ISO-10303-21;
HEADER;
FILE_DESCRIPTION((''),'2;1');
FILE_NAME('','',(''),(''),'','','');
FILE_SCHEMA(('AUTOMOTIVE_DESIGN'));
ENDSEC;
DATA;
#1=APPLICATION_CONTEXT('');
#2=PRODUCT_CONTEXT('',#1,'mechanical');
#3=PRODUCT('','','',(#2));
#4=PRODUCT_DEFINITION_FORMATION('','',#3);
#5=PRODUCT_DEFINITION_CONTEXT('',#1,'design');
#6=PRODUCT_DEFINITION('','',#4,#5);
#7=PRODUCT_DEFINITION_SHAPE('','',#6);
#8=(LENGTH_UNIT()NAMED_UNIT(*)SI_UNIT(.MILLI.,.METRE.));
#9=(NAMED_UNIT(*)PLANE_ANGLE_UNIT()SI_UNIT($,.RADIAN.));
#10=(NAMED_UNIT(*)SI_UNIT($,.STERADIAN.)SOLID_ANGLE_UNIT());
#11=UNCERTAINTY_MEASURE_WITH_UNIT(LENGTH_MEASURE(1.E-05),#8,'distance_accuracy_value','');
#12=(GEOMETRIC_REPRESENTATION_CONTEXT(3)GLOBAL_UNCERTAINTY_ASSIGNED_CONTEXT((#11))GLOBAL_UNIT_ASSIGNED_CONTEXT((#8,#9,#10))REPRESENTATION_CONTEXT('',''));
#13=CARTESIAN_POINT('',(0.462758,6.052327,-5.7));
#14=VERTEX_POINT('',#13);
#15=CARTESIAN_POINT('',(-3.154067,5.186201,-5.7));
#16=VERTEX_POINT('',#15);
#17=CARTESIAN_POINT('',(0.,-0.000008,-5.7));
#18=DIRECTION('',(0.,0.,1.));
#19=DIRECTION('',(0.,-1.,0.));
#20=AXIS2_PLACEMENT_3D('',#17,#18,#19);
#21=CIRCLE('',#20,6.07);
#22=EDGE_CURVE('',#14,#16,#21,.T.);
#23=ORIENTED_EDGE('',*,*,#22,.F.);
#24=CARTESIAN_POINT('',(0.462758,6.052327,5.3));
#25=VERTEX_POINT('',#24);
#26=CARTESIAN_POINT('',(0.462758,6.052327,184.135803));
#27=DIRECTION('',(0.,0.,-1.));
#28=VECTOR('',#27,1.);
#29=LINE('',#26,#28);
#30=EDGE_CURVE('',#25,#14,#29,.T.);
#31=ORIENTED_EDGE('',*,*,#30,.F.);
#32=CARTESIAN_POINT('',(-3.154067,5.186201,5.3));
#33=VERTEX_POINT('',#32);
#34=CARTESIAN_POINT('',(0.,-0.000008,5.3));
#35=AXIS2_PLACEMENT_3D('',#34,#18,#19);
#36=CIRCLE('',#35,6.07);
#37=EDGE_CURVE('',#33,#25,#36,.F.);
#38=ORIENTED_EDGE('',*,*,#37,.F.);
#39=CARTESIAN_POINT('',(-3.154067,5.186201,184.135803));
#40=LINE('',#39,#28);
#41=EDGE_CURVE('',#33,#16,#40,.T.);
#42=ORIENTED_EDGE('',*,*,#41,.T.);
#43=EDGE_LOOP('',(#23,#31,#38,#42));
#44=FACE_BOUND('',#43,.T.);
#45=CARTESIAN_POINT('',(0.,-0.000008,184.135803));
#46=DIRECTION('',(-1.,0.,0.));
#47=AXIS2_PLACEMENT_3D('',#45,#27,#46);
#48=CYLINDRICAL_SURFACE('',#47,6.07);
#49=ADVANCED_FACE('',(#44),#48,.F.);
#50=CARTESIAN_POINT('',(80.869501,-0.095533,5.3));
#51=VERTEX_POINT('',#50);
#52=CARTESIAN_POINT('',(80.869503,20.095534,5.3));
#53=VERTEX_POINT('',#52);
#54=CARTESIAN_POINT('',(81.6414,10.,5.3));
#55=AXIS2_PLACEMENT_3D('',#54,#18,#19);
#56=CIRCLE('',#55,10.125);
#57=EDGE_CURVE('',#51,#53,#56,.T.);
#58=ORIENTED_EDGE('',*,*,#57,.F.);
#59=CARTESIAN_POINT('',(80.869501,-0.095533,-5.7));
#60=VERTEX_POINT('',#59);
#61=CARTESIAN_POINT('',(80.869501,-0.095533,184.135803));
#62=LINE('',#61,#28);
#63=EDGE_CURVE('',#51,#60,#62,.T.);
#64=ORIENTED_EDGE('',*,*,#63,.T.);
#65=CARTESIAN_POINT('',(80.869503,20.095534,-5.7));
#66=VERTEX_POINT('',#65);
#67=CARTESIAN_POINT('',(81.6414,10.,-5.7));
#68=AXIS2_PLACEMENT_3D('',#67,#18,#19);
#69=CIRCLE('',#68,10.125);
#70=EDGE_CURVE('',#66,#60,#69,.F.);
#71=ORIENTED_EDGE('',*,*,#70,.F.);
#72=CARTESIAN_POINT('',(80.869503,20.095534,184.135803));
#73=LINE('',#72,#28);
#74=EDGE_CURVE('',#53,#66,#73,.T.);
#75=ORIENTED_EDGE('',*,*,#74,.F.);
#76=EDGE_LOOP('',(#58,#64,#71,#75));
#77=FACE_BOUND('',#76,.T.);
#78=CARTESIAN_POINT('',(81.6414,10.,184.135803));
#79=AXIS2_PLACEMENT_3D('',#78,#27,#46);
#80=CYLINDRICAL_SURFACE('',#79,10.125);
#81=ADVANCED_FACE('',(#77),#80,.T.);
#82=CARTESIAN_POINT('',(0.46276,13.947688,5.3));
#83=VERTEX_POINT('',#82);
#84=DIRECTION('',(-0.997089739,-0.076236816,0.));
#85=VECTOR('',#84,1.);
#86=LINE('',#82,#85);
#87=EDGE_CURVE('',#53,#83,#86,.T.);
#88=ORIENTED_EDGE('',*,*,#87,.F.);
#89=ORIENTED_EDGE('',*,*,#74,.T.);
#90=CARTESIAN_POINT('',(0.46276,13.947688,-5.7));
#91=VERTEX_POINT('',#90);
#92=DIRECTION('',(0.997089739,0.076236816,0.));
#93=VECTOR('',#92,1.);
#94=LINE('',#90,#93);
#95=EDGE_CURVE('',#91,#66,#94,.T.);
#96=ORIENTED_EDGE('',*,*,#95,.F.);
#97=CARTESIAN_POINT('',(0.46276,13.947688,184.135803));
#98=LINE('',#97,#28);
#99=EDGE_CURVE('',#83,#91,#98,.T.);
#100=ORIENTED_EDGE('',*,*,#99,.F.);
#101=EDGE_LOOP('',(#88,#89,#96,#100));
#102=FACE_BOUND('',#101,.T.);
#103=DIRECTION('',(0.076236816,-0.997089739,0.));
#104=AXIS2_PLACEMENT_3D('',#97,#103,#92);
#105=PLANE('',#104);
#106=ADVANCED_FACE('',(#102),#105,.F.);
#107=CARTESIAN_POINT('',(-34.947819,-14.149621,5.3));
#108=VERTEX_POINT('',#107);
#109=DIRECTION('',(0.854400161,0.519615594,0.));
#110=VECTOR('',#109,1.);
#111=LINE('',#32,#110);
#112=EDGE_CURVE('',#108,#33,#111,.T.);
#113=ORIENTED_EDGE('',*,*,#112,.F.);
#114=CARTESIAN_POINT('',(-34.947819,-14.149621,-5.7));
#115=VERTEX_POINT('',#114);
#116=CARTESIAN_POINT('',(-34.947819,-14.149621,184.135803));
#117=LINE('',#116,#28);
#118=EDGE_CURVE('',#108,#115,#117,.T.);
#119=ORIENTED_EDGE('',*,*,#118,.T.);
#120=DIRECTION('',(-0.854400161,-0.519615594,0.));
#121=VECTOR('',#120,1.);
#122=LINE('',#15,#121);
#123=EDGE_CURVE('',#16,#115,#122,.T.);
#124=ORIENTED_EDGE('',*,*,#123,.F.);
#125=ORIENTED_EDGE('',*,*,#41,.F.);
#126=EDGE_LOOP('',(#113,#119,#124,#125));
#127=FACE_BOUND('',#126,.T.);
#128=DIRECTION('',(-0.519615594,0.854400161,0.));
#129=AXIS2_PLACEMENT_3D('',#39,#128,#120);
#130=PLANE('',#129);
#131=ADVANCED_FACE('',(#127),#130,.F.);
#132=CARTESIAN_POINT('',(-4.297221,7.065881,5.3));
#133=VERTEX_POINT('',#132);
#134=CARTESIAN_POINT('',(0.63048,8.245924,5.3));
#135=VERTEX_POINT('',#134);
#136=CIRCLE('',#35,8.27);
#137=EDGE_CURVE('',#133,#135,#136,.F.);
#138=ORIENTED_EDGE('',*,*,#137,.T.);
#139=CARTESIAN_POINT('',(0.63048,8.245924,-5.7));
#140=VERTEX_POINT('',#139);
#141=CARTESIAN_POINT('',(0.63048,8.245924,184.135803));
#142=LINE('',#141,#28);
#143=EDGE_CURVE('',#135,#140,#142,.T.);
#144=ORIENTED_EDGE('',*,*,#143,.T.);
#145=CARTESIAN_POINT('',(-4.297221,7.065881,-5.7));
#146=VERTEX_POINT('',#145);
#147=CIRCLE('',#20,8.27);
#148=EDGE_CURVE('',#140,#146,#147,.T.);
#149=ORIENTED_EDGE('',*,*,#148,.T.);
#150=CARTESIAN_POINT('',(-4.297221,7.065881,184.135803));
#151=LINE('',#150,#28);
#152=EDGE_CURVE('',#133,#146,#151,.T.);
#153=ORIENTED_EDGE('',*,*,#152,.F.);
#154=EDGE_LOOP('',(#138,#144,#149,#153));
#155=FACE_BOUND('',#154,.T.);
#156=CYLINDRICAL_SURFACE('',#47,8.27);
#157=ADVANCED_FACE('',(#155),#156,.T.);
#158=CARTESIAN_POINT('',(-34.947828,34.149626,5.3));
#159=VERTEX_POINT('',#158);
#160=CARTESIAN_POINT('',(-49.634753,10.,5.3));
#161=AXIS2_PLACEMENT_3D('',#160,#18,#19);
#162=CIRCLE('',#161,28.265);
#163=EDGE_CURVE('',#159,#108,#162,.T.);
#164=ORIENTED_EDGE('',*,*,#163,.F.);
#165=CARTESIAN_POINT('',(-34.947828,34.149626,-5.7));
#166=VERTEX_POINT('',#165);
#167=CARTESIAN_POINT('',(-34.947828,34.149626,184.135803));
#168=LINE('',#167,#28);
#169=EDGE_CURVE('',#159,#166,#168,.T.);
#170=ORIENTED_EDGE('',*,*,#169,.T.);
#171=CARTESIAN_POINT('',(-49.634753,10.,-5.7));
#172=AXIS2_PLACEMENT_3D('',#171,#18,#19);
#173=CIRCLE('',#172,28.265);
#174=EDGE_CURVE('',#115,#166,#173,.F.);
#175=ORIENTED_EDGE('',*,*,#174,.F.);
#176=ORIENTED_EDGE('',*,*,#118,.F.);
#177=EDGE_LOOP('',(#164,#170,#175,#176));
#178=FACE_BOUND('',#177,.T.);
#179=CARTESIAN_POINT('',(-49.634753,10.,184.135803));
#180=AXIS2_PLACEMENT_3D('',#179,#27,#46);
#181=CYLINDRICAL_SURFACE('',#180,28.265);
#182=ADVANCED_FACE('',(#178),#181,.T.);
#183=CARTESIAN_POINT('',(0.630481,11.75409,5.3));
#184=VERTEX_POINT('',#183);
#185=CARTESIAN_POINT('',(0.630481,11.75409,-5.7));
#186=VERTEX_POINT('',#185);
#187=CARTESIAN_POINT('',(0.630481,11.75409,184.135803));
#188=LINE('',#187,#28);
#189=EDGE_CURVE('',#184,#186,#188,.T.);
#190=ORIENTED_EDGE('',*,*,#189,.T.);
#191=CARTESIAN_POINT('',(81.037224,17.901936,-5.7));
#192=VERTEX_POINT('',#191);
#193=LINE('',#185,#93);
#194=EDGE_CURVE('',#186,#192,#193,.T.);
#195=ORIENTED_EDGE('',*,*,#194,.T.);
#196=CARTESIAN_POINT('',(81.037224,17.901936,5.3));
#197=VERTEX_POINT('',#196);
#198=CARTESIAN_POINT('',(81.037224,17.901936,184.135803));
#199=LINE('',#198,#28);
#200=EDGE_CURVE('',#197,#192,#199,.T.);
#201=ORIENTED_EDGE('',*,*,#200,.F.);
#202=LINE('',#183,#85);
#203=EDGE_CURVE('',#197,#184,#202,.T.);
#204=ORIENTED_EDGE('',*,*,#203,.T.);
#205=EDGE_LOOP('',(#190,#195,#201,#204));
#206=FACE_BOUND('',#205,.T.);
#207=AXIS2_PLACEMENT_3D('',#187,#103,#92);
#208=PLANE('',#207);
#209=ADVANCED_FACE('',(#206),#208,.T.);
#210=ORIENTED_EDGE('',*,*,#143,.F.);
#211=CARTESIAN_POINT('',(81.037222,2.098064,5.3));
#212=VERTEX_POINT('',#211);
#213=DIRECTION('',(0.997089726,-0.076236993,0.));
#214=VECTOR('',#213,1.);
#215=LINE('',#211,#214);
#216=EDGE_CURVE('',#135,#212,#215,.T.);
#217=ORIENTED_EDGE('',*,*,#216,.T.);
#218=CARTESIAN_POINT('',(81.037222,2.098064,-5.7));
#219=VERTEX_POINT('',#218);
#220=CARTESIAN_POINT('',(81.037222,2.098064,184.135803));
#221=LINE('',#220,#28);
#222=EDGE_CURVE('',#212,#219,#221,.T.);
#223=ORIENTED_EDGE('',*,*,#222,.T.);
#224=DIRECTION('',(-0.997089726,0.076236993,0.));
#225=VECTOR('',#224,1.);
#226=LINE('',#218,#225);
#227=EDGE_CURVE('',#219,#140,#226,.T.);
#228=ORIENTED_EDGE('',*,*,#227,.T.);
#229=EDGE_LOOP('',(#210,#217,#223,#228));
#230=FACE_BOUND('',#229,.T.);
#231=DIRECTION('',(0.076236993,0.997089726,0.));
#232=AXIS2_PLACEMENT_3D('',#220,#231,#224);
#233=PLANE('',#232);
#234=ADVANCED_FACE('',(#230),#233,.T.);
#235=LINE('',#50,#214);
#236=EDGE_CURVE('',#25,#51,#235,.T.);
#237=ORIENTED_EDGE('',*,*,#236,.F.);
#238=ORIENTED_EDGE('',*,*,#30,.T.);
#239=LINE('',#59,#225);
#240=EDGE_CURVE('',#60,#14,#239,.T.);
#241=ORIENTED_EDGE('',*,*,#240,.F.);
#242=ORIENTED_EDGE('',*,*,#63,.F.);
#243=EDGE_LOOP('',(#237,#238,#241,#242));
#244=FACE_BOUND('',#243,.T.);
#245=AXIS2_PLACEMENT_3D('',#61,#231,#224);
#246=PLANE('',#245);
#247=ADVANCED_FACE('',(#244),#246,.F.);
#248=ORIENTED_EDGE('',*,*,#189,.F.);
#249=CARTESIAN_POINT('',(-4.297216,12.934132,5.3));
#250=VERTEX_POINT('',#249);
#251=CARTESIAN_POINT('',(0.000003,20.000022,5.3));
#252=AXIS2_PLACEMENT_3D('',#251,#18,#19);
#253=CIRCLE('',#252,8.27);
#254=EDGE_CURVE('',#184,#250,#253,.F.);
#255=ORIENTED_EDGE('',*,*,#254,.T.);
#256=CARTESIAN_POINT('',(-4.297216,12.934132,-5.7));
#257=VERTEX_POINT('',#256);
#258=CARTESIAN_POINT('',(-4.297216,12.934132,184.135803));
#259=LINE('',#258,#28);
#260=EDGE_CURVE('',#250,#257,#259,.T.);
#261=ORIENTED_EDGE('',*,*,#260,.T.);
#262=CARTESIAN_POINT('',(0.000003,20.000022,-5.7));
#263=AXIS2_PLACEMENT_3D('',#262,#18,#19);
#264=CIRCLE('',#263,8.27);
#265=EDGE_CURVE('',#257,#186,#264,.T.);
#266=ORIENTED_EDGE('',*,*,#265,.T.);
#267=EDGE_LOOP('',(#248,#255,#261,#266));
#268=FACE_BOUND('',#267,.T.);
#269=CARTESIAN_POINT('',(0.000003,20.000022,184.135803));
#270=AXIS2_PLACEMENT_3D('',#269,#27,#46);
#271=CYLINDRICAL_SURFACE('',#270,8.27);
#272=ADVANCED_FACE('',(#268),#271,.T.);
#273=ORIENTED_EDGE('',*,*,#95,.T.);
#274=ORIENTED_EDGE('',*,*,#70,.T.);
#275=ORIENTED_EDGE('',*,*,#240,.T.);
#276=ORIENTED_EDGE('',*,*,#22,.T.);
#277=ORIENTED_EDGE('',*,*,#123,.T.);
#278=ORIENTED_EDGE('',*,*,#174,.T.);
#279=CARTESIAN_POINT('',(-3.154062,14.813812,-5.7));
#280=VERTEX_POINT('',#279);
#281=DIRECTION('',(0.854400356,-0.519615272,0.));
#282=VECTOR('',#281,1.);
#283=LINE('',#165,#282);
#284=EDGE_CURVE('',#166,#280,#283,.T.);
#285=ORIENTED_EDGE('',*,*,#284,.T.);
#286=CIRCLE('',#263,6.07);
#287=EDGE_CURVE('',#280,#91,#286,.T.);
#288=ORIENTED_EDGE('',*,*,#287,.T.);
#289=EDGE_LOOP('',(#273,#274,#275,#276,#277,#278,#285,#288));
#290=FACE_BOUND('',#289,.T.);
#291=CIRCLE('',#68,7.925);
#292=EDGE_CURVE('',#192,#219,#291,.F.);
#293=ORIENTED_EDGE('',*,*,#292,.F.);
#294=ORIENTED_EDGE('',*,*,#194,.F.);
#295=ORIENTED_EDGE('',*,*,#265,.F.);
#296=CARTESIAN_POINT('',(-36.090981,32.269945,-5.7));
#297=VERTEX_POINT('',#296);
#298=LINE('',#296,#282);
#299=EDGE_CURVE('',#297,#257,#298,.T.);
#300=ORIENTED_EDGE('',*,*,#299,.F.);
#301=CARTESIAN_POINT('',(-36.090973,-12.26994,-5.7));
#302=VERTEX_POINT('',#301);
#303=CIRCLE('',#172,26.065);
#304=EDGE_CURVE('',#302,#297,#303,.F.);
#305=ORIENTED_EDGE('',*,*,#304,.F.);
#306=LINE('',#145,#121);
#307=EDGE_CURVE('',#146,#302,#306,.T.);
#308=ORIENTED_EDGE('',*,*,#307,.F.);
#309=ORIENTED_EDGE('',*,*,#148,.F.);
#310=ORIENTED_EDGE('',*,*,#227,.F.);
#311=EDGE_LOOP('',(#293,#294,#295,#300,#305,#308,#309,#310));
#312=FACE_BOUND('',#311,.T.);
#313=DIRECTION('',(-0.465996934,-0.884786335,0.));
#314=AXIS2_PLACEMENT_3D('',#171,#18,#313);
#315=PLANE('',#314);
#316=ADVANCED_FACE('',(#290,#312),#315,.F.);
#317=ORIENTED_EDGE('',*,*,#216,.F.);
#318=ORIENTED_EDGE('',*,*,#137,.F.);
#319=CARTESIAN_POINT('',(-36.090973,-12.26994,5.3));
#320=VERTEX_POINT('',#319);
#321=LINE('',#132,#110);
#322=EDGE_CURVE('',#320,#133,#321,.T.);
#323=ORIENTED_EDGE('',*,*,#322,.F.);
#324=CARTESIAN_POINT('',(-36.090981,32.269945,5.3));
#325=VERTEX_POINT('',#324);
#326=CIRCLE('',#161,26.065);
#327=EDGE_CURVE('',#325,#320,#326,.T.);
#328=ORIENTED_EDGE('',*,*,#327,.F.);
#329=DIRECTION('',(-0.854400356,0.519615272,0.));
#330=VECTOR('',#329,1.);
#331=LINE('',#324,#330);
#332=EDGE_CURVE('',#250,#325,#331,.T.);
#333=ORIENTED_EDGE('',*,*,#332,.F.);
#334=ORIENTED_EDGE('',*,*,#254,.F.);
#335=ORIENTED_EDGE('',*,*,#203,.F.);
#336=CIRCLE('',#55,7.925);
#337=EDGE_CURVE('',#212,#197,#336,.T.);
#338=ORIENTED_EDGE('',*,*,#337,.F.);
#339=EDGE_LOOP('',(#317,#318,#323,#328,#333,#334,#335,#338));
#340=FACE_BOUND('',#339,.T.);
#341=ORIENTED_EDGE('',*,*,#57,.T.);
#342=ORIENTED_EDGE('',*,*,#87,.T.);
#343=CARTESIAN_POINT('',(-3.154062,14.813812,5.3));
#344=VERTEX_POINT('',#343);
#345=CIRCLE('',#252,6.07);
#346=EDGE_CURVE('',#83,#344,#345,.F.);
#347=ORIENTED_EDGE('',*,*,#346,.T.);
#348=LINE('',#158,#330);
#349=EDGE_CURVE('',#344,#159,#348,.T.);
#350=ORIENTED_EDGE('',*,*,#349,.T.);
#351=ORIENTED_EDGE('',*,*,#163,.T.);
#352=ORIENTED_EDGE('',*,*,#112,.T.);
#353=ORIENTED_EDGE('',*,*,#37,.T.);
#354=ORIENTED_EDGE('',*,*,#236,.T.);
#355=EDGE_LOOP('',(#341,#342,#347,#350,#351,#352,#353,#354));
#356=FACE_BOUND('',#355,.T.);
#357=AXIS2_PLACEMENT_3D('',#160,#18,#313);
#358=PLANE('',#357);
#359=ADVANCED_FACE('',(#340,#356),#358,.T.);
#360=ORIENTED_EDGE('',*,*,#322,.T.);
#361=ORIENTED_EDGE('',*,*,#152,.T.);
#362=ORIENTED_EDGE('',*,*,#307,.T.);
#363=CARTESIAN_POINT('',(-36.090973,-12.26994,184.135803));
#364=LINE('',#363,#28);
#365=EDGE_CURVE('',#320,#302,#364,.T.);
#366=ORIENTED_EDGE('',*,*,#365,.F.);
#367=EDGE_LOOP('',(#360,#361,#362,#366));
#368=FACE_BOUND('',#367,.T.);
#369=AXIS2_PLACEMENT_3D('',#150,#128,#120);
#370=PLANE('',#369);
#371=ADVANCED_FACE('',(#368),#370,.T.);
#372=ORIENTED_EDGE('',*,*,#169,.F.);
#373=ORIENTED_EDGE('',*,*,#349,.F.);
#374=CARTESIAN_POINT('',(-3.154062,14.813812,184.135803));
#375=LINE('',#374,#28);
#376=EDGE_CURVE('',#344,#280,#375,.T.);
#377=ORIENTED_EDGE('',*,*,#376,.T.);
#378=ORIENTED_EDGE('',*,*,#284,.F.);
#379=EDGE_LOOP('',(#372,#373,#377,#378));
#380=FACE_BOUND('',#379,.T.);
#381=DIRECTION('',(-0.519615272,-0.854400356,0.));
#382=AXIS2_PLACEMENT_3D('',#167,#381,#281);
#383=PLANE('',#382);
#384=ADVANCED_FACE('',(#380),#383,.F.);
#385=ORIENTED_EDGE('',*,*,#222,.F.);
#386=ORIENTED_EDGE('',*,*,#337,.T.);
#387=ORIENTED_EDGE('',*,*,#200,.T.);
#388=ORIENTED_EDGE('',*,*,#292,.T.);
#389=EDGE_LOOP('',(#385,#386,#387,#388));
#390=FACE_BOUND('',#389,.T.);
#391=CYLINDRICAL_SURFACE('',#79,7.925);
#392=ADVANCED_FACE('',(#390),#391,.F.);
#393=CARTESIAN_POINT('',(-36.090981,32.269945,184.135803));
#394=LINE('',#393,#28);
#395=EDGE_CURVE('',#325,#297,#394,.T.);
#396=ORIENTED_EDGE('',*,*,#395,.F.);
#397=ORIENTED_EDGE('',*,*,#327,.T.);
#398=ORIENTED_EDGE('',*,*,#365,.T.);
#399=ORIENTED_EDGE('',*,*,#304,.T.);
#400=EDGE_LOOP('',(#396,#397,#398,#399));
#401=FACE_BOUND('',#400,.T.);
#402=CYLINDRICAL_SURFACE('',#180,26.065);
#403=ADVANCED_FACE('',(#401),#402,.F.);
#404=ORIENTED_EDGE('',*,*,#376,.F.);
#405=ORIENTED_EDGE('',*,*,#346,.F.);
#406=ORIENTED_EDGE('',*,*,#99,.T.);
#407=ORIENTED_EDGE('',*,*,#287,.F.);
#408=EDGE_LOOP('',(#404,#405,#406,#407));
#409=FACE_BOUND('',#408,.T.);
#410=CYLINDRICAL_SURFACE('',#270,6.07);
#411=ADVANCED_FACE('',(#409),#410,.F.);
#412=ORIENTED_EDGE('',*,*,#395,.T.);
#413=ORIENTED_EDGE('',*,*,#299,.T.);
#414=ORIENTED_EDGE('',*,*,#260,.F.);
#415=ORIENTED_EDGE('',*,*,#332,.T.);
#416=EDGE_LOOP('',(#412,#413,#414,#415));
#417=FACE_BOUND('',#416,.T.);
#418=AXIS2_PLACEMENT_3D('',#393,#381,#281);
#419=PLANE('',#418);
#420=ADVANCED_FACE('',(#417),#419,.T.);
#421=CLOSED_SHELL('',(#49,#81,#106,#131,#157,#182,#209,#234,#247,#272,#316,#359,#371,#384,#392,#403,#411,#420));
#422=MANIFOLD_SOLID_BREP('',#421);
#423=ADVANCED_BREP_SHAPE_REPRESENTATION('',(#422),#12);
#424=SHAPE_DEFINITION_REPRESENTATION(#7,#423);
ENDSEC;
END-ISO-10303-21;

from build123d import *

# Parameters (mm, degrees)
EXTRUDE_THIN1_DEPTH      = 5.3
EXTRUDE_THIN1_DEPTH_BACK = 5.7


with BuildPart() as part:
    # Sketch2 → Extrude-Thin1 (new, two sides: drawn at the far end of the back side and taken through both)
    with BuildSketch(Plane.XY.offset(-EXTRUDE_THIN1_DEPTH_BACK)):
        with BuildLine():
            Line((0.462760139, 13.947687746), (80.869502603, 20.095533609))
            ThreePointArc((80.869502603, 20.095533609), (91.766400364, 9.999999102), (80.869500812, -0.095533472))
            Line((80.869500812, -0.095533472), (0.462758217, 6.052326745))
            ThreePointArc((0.462758217, 6.052326745), (-1.413622714, 5.903090598), (-3.154066984, 5.186201086))
            Line((-3.154066984, 5.186201086), (-34.947818561, -14.149620542))
            ThreePointArc((-34.947818561, -14.149620542), (-77.899753322, 9.99999468), (-34.947827652, 34.149626071))
            Line((-34.947827652, 34.149626071), (-3.154062037, 14.813812299))
            ThreePointArc((-3.154062037, 14.813812299), (-1.413619132, 14.096923834), (0.462760139, 13.947687746))
        make_face()
        with BuildLine():
            Line((0.630481134, 11.754090319), (81.037223598, 17.901936183))
            ThreePointArc((81.037223598, 17.901936183), (89.566400364, 9.999999297), (81.037222196, 2.098063925))
            Line((81.037222196, 2.098063925), (0.630479601, 8.245924142))
            ThreePointArc((0.630479601, 8.245924142), (-1.925973496, 8.042599111), (-4.29722129, 7.06588144))
            Line((-4.29722129, 7.06588144), (-36.090972868, -12.269940189))
            ThreePointArc((-36.090972868, -12.269940189), (-75.699753322, 9.999995094), (-36.090981251, 32.269945287))
            Line((-36.090981251, 32.269945287), (-4.297215636, 12.934131515))
            ThreePointArc((-4.297215636, 12.934131515), (-1.925969701, 11.95741527), (0.630481134, 11.754090319))
        make_face(mode=Mode.SUBTRACT)
    extrude(amount=EXTRUDE_THIN1_DEPTH + EXTRUDE_THIN1_DEPTH_BACK)


solid = part.part
